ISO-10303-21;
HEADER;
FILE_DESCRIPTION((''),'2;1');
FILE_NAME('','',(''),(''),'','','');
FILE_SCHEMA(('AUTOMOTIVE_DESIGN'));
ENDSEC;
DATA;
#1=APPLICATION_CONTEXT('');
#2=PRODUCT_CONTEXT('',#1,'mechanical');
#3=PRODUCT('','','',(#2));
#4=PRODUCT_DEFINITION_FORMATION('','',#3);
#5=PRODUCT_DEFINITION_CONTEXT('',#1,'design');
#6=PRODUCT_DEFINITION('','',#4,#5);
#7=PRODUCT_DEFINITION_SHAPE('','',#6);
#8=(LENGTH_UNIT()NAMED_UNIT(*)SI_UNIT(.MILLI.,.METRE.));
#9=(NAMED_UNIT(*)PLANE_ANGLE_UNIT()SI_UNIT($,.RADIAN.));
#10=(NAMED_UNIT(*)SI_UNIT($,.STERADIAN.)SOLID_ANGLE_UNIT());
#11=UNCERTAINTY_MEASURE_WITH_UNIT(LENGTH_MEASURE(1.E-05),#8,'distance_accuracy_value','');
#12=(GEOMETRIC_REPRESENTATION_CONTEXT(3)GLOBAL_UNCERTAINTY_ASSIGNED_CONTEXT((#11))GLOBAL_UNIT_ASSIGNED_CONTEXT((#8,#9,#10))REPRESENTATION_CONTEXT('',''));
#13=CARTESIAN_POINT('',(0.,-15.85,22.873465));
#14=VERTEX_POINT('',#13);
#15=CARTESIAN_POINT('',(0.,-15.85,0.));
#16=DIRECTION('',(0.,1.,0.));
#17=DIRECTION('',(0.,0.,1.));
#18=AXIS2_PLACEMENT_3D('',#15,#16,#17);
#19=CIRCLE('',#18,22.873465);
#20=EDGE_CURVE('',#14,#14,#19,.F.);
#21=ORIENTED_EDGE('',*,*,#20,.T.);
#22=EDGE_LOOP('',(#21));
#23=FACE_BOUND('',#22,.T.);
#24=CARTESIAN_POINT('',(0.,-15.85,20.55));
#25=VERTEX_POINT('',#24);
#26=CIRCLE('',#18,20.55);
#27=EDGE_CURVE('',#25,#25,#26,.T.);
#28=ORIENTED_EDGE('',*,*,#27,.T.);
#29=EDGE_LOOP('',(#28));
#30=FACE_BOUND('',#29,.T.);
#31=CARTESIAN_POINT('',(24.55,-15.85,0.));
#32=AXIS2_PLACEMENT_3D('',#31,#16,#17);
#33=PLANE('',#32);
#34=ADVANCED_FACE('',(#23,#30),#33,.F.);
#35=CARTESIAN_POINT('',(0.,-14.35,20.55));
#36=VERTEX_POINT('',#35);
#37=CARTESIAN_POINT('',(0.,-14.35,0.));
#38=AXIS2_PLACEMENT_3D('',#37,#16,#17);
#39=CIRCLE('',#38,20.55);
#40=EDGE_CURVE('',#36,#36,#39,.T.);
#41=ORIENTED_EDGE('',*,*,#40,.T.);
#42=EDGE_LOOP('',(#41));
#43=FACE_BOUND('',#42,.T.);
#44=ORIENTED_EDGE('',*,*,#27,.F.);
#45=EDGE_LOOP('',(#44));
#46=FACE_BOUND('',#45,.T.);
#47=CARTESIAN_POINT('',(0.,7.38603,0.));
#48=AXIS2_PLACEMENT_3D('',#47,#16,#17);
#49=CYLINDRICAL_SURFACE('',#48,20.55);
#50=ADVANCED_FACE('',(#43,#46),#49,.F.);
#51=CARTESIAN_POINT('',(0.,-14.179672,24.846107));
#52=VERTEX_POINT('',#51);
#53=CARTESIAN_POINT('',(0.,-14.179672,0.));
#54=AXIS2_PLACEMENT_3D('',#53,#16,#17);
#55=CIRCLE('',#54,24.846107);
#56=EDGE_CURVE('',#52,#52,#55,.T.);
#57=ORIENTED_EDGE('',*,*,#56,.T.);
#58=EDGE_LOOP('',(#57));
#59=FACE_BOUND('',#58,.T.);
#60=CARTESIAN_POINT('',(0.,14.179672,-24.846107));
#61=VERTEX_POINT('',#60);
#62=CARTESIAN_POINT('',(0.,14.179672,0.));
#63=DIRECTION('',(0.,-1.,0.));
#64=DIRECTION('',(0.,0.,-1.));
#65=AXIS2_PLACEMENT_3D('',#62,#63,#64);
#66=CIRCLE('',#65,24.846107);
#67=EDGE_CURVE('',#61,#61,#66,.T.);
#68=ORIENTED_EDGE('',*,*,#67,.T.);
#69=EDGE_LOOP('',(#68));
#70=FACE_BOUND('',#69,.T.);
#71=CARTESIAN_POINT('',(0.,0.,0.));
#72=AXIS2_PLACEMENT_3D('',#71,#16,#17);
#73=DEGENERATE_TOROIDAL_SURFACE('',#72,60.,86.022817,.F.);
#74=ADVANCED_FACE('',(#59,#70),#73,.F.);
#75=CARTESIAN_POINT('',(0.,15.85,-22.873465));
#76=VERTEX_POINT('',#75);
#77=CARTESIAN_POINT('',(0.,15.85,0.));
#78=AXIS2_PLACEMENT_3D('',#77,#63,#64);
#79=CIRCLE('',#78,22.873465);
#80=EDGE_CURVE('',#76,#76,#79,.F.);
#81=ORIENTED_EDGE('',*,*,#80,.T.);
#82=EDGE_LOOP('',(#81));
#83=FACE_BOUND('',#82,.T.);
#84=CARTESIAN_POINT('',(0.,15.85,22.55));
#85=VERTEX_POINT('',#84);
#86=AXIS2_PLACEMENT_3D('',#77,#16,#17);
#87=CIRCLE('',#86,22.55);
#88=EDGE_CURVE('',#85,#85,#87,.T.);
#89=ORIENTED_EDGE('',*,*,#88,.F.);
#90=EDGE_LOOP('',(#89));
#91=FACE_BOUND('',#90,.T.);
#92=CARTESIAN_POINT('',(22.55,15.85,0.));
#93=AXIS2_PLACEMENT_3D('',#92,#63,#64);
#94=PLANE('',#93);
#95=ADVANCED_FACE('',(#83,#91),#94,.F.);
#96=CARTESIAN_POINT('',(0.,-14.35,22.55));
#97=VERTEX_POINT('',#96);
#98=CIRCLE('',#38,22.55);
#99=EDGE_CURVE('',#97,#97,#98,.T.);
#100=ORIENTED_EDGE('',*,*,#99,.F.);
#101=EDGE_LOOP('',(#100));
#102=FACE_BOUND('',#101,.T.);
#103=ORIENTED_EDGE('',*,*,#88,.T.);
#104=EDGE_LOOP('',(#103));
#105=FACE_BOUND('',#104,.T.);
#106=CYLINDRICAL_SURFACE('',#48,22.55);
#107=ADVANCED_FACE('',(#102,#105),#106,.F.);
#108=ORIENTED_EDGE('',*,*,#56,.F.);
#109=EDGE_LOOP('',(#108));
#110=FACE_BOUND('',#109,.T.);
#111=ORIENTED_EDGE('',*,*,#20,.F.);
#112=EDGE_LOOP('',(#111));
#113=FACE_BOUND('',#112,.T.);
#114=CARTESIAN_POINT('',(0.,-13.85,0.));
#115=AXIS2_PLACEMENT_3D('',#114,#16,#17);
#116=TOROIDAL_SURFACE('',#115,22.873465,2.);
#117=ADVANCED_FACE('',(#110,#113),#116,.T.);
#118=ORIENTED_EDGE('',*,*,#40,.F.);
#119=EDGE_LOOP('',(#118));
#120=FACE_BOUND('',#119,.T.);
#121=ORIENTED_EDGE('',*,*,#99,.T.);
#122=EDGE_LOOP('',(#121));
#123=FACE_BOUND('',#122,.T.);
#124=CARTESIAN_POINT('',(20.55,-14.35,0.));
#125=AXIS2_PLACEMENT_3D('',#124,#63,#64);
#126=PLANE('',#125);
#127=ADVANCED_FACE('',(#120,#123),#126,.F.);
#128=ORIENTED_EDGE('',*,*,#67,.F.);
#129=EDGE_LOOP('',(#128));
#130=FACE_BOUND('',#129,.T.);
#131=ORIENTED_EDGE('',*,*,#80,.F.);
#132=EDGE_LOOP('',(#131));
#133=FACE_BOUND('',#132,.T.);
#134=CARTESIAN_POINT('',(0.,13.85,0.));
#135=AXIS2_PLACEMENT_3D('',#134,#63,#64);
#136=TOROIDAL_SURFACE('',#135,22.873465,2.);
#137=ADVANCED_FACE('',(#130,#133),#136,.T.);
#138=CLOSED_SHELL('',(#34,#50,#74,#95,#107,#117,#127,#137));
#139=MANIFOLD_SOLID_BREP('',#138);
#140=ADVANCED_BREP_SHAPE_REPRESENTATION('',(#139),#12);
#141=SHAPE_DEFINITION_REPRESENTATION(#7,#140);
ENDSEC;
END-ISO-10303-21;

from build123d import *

# Parameters (mm, degrees)
FILLET1_R = 2


with BuildPart() as part:
    # Sketch1 → Revolve3 (revolve)
    with BuildSketch(Plane.XY, mode=Mode.PRIVATE) as revolve3_sk:
        with BuildLine():
            Line((20.55, -14.35), (22.55, -14.35))
            Line((22.55, -14.35), (22.55, 15.85))
            Line((22.55, 15.85), (24.55, 15.85))
            ThreePointArc((24.55, 15.85), (26.022816741, 0), (24.55, -15.85))
            Line((24.55, -15.85), (20.55, -15.85))
            Line((20.55, -15.85), (20.55, -14.35))
        make_face()
    revolve(revolve3_sk.sketch.rotate(Axis((0, 7.38603037, 0), (0, -1, 0)), 90), axis=Axis((0, 7.38603037, 0), (0, -1, 0)))

    # Fillet1
    fillet1_edges = [part.edges().sort_by_distance(p)[0] for p in [
        (0, -15.85, -24.55),
        (0, 15.85, -24.55),
    ]]
    fillet(fillet1_edges, radius=FILLET1_R)


solid = part.part
